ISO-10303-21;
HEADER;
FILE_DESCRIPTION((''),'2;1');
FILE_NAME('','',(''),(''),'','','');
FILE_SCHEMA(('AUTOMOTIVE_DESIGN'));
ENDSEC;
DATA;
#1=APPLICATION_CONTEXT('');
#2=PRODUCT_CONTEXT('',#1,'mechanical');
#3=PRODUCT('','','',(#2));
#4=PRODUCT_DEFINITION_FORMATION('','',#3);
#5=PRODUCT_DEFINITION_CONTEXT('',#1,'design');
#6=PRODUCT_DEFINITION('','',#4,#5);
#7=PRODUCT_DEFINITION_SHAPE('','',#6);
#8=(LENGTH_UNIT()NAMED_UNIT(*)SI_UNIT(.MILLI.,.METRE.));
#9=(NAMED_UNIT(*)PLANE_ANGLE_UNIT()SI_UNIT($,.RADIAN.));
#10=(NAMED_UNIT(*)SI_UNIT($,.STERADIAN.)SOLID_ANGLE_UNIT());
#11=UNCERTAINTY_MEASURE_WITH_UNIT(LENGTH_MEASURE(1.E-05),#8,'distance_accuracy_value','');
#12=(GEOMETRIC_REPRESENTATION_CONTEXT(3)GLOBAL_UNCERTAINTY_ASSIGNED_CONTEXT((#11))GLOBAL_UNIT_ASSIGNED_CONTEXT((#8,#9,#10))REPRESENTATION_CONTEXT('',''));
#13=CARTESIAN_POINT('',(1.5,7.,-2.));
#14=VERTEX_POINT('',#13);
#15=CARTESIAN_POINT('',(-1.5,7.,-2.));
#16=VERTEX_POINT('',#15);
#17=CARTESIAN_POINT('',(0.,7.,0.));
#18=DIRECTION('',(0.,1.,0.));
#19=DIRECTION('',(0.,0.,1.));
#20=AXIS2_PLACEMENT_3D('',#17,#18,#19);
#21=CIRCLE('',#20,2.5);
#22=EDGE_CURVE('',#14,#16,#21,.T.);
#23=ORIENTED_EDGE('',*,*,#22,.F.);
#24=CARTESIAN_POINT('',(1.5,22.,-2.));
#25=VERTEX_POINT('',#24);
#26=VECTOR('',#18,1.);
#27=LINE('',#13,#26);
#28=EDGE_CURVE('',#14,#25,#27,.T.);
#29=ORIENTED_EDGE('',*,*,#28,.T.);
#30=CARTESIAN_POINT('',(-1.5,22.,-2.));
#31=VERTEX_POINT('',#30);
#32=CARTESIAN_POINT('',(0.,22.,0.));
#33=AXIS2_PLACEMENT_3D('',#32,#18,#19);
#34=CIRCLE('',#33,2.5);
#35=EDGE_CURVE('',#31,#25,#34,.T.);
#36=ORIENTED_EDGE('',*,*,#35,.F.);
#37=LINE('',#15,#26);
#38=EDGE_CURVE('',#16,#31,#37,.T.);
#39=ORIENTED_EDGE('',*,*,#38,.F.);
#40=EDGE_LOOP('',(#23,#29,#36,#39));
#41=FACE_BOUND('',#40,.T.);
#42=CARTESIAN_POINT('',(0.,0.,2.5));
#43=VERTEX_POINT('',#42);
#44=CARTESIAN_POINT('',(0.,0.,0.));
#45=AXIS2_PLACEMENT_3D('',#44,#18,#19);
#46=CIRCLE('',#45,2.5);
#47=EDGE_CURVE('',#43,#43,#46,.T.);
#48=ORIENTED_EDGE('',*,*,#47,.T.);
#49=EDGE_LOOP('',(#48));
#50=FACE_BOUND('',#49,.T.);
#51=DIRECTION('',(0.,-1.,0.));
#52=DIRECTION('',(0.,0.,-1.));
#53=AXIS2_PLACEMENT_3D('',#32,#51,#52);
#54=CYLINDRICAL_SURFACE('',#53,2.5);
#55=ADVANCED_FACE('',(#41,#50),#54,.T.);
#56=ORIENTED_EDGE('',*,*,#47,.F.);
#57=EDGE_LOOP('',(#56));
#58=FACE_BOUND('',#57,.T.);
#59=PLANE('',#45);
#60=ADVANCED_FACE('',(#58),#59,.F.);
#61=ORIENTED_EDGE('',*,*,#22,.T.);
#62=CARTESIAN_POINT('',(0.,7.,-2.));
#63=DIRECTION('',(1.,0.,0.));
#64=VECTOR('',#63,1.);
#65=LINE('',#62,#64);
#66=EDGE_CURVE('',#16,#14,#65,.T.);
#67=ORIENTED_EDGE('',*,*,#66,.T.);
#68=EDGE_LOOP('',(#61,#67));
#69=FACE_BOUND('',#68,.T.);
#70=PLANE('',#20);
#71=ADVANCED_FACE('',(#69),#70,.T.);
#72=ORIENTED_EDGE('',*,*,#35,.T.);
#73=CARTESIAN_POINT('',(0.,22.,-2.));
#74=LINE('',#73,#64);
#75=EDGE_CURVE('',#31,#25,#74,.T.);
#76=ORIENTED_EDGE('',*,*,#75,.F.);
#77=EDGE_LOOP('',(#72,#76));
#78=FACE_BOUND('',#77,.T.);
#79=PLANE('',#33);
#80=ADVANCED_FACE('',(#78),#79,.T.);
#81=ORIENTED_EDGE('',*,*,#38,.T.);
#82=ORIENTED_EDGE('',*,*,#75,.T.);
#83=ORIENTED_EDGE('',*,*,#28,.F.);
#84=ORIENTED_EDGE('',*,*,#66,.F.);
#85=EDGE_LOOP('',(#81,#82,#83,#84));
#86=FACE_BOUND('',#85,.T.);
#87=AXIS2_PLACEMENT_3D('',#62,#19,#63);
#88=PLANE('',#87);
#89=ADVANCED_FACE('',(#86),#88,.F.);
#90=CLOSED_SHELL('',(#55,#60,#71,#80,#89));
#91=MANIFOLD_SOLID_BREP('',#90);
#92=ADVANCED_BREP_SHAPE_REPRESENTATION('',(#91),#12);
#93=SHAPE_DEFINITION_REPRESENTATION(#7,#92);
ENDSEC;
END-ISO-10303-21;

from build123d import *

# Parameters (mm, degrees)
SKETCH1_R           = 2.5
BOSS_EXTRUDE1_DEPTH = 22
CUT_EXTRUDE1_START  = -15
CUT_EXTRUDE1_DEPTH  = 15


with BuildPart() as part:
    # Sketch1 → Boss-Extrude1 (new body)
    with BuildSketch(Plane(origin=(0, 0, 0), x_dir=(1, 0, 0), z_dir=(0, 1, 0))):
        with Locations(Location((0, 0, 0), (0, 0, 270))):
            Circle(SKETCH1_R)
    extrude(amount=BOSS_EXTRUDE1_DEPTH)

    # Sketch2 → Cut-Extrude1 (cut)
    with BuildSketch(Plane(origin=(0, 22, 0), x_dir=(1, 0, 0), z_dir=(0, 1, 0)).offset(CUT_EXTRUDE1_START)):
        with BuildLine():
            ThreePointArc((1.5, 2), (0, 2.5), (-1.5, 2))
            Line((-1.5, 2), (1.5, 2))
        make_face()
    extrude(amount=CUT_EXTRUDE1_DEPTH, mode=Mode.SUBTRACT)


solid = part.part
